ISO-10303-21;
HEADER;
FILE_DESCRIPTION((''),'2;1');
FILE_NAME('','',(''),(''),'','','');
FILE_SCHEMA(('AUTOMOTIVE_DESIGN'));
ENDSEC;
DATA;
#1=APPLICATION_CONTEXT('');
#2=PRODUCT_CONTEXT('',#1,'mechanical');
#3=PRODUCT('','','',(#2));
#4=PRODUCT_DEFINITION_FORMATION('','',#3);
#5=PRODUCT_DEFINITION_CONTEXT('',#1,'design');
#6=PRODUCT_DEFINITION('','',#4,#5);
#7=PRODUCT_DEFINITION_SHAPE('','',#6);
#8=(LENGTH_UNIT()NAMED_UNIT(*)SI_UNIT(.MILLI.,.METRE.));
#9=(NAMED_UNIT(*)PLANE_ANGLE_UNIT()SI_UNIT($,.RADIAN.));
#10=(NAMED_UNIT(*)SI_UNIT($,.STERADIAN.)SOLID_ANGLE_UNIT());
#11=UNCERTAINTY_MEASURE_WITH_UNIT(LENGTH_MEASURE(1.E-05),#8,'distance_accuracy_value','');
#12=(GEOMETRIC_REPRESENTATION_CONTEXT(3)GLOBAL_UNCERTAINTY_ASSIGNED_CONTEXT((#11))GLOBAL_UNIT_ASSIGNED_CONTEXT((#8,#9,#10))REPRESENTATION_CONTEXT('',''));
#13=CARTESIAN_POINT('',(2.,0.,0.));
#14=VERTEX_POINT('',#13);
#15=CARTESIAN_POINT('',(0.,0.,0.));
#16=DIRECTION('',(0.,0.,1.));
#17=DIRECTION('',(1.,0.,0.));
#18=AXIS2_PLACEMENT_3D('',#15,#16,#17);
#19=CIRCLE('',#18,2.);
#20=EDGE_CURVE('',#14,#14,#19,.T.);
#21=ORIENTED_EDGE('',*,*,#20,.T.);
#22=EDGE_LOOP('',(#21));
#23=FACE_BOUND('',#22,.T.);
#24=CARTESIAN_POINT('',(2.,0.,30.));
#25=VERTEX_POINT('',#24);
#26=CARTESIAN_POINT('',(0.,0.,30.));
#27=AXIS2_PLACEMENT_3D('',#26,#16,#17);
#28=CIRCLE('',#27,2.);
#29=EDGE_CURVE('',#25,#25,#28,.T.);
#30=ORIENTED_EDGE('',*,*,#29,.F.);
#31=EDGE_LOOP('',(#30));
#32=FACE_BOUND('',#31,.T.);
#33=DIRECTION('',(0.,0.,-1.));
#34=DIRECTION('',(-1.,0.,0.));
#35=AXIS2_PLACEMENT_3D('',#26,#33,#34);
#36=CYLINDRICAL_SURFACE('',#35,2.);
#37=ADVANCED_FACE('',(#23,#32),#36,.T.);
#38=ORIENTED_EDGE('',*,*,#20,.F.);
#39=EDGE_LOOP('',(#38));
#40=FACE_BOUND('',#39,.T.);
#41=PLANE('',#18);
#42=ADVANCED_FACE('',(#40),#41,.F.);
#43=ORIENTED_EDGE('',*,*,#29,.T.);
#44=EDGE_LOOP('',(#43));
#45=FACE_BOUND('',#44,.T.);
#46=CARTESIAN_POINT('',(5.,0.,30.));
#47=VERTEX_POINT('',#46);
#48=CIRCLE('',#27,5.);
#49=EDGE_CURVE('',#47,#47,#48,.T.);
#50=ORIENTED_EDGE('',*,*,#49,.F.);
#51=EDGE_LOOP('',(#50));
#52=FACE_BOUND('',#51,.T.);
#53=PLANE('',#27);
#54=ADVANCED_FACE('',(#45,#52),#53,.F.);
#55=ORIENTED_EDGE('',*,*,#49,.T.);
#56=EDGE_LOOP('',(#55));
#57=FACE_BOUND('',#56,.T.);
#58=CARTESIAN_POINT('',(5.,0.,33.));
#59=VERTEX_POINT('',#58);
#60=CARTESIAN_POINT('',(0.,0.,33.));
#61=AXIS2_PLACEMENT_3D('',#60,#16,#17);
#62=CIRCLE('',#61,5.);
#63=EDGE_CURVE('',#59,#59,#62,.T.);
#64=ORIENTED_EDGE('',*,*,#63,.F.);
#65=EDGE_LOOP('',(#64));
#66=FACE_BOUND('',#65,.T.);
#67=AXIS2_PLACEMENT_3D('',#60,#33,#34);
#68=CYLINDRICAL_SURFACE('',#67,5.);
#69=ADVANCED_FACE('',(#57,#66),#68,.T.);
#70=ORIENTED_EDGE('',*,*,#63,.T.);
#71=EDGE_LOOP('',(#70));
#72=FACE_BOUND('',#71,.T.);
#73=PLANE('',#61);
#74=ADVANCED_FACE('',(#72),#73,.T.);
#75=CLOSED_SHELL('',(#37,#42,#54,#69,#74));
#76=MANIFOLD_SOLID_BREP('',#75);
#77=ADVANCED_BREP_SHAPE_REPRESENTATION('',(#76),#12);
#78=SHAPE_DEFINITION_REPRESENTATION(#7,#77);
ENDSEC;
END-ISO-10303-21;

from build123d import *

# Parameters (mm, degrees)
SKETCH_1_R      = 2
EXTRUDE_1_DEPTH = 30
SKETCH_2_R      = 5
EXTRUDE_2_DEPTH = 3


with BuildPart() as part:
    # 스케치1 → 보스-돌출1 (new body)
    with BuildSketch(Plane.XY):
        Circle(SKETCH_1_R)
    extrude(amount=EXTRUDE_1_DEPTH)

    # 스케치2 → 보스-돌출2 (add)
    with BuildSketch(Plane.XY.offset(30)):
        Circle(SKETCH_2_R)
    extrude(amount=EXTRUDE_2_DEPTH)


solid = part.part
